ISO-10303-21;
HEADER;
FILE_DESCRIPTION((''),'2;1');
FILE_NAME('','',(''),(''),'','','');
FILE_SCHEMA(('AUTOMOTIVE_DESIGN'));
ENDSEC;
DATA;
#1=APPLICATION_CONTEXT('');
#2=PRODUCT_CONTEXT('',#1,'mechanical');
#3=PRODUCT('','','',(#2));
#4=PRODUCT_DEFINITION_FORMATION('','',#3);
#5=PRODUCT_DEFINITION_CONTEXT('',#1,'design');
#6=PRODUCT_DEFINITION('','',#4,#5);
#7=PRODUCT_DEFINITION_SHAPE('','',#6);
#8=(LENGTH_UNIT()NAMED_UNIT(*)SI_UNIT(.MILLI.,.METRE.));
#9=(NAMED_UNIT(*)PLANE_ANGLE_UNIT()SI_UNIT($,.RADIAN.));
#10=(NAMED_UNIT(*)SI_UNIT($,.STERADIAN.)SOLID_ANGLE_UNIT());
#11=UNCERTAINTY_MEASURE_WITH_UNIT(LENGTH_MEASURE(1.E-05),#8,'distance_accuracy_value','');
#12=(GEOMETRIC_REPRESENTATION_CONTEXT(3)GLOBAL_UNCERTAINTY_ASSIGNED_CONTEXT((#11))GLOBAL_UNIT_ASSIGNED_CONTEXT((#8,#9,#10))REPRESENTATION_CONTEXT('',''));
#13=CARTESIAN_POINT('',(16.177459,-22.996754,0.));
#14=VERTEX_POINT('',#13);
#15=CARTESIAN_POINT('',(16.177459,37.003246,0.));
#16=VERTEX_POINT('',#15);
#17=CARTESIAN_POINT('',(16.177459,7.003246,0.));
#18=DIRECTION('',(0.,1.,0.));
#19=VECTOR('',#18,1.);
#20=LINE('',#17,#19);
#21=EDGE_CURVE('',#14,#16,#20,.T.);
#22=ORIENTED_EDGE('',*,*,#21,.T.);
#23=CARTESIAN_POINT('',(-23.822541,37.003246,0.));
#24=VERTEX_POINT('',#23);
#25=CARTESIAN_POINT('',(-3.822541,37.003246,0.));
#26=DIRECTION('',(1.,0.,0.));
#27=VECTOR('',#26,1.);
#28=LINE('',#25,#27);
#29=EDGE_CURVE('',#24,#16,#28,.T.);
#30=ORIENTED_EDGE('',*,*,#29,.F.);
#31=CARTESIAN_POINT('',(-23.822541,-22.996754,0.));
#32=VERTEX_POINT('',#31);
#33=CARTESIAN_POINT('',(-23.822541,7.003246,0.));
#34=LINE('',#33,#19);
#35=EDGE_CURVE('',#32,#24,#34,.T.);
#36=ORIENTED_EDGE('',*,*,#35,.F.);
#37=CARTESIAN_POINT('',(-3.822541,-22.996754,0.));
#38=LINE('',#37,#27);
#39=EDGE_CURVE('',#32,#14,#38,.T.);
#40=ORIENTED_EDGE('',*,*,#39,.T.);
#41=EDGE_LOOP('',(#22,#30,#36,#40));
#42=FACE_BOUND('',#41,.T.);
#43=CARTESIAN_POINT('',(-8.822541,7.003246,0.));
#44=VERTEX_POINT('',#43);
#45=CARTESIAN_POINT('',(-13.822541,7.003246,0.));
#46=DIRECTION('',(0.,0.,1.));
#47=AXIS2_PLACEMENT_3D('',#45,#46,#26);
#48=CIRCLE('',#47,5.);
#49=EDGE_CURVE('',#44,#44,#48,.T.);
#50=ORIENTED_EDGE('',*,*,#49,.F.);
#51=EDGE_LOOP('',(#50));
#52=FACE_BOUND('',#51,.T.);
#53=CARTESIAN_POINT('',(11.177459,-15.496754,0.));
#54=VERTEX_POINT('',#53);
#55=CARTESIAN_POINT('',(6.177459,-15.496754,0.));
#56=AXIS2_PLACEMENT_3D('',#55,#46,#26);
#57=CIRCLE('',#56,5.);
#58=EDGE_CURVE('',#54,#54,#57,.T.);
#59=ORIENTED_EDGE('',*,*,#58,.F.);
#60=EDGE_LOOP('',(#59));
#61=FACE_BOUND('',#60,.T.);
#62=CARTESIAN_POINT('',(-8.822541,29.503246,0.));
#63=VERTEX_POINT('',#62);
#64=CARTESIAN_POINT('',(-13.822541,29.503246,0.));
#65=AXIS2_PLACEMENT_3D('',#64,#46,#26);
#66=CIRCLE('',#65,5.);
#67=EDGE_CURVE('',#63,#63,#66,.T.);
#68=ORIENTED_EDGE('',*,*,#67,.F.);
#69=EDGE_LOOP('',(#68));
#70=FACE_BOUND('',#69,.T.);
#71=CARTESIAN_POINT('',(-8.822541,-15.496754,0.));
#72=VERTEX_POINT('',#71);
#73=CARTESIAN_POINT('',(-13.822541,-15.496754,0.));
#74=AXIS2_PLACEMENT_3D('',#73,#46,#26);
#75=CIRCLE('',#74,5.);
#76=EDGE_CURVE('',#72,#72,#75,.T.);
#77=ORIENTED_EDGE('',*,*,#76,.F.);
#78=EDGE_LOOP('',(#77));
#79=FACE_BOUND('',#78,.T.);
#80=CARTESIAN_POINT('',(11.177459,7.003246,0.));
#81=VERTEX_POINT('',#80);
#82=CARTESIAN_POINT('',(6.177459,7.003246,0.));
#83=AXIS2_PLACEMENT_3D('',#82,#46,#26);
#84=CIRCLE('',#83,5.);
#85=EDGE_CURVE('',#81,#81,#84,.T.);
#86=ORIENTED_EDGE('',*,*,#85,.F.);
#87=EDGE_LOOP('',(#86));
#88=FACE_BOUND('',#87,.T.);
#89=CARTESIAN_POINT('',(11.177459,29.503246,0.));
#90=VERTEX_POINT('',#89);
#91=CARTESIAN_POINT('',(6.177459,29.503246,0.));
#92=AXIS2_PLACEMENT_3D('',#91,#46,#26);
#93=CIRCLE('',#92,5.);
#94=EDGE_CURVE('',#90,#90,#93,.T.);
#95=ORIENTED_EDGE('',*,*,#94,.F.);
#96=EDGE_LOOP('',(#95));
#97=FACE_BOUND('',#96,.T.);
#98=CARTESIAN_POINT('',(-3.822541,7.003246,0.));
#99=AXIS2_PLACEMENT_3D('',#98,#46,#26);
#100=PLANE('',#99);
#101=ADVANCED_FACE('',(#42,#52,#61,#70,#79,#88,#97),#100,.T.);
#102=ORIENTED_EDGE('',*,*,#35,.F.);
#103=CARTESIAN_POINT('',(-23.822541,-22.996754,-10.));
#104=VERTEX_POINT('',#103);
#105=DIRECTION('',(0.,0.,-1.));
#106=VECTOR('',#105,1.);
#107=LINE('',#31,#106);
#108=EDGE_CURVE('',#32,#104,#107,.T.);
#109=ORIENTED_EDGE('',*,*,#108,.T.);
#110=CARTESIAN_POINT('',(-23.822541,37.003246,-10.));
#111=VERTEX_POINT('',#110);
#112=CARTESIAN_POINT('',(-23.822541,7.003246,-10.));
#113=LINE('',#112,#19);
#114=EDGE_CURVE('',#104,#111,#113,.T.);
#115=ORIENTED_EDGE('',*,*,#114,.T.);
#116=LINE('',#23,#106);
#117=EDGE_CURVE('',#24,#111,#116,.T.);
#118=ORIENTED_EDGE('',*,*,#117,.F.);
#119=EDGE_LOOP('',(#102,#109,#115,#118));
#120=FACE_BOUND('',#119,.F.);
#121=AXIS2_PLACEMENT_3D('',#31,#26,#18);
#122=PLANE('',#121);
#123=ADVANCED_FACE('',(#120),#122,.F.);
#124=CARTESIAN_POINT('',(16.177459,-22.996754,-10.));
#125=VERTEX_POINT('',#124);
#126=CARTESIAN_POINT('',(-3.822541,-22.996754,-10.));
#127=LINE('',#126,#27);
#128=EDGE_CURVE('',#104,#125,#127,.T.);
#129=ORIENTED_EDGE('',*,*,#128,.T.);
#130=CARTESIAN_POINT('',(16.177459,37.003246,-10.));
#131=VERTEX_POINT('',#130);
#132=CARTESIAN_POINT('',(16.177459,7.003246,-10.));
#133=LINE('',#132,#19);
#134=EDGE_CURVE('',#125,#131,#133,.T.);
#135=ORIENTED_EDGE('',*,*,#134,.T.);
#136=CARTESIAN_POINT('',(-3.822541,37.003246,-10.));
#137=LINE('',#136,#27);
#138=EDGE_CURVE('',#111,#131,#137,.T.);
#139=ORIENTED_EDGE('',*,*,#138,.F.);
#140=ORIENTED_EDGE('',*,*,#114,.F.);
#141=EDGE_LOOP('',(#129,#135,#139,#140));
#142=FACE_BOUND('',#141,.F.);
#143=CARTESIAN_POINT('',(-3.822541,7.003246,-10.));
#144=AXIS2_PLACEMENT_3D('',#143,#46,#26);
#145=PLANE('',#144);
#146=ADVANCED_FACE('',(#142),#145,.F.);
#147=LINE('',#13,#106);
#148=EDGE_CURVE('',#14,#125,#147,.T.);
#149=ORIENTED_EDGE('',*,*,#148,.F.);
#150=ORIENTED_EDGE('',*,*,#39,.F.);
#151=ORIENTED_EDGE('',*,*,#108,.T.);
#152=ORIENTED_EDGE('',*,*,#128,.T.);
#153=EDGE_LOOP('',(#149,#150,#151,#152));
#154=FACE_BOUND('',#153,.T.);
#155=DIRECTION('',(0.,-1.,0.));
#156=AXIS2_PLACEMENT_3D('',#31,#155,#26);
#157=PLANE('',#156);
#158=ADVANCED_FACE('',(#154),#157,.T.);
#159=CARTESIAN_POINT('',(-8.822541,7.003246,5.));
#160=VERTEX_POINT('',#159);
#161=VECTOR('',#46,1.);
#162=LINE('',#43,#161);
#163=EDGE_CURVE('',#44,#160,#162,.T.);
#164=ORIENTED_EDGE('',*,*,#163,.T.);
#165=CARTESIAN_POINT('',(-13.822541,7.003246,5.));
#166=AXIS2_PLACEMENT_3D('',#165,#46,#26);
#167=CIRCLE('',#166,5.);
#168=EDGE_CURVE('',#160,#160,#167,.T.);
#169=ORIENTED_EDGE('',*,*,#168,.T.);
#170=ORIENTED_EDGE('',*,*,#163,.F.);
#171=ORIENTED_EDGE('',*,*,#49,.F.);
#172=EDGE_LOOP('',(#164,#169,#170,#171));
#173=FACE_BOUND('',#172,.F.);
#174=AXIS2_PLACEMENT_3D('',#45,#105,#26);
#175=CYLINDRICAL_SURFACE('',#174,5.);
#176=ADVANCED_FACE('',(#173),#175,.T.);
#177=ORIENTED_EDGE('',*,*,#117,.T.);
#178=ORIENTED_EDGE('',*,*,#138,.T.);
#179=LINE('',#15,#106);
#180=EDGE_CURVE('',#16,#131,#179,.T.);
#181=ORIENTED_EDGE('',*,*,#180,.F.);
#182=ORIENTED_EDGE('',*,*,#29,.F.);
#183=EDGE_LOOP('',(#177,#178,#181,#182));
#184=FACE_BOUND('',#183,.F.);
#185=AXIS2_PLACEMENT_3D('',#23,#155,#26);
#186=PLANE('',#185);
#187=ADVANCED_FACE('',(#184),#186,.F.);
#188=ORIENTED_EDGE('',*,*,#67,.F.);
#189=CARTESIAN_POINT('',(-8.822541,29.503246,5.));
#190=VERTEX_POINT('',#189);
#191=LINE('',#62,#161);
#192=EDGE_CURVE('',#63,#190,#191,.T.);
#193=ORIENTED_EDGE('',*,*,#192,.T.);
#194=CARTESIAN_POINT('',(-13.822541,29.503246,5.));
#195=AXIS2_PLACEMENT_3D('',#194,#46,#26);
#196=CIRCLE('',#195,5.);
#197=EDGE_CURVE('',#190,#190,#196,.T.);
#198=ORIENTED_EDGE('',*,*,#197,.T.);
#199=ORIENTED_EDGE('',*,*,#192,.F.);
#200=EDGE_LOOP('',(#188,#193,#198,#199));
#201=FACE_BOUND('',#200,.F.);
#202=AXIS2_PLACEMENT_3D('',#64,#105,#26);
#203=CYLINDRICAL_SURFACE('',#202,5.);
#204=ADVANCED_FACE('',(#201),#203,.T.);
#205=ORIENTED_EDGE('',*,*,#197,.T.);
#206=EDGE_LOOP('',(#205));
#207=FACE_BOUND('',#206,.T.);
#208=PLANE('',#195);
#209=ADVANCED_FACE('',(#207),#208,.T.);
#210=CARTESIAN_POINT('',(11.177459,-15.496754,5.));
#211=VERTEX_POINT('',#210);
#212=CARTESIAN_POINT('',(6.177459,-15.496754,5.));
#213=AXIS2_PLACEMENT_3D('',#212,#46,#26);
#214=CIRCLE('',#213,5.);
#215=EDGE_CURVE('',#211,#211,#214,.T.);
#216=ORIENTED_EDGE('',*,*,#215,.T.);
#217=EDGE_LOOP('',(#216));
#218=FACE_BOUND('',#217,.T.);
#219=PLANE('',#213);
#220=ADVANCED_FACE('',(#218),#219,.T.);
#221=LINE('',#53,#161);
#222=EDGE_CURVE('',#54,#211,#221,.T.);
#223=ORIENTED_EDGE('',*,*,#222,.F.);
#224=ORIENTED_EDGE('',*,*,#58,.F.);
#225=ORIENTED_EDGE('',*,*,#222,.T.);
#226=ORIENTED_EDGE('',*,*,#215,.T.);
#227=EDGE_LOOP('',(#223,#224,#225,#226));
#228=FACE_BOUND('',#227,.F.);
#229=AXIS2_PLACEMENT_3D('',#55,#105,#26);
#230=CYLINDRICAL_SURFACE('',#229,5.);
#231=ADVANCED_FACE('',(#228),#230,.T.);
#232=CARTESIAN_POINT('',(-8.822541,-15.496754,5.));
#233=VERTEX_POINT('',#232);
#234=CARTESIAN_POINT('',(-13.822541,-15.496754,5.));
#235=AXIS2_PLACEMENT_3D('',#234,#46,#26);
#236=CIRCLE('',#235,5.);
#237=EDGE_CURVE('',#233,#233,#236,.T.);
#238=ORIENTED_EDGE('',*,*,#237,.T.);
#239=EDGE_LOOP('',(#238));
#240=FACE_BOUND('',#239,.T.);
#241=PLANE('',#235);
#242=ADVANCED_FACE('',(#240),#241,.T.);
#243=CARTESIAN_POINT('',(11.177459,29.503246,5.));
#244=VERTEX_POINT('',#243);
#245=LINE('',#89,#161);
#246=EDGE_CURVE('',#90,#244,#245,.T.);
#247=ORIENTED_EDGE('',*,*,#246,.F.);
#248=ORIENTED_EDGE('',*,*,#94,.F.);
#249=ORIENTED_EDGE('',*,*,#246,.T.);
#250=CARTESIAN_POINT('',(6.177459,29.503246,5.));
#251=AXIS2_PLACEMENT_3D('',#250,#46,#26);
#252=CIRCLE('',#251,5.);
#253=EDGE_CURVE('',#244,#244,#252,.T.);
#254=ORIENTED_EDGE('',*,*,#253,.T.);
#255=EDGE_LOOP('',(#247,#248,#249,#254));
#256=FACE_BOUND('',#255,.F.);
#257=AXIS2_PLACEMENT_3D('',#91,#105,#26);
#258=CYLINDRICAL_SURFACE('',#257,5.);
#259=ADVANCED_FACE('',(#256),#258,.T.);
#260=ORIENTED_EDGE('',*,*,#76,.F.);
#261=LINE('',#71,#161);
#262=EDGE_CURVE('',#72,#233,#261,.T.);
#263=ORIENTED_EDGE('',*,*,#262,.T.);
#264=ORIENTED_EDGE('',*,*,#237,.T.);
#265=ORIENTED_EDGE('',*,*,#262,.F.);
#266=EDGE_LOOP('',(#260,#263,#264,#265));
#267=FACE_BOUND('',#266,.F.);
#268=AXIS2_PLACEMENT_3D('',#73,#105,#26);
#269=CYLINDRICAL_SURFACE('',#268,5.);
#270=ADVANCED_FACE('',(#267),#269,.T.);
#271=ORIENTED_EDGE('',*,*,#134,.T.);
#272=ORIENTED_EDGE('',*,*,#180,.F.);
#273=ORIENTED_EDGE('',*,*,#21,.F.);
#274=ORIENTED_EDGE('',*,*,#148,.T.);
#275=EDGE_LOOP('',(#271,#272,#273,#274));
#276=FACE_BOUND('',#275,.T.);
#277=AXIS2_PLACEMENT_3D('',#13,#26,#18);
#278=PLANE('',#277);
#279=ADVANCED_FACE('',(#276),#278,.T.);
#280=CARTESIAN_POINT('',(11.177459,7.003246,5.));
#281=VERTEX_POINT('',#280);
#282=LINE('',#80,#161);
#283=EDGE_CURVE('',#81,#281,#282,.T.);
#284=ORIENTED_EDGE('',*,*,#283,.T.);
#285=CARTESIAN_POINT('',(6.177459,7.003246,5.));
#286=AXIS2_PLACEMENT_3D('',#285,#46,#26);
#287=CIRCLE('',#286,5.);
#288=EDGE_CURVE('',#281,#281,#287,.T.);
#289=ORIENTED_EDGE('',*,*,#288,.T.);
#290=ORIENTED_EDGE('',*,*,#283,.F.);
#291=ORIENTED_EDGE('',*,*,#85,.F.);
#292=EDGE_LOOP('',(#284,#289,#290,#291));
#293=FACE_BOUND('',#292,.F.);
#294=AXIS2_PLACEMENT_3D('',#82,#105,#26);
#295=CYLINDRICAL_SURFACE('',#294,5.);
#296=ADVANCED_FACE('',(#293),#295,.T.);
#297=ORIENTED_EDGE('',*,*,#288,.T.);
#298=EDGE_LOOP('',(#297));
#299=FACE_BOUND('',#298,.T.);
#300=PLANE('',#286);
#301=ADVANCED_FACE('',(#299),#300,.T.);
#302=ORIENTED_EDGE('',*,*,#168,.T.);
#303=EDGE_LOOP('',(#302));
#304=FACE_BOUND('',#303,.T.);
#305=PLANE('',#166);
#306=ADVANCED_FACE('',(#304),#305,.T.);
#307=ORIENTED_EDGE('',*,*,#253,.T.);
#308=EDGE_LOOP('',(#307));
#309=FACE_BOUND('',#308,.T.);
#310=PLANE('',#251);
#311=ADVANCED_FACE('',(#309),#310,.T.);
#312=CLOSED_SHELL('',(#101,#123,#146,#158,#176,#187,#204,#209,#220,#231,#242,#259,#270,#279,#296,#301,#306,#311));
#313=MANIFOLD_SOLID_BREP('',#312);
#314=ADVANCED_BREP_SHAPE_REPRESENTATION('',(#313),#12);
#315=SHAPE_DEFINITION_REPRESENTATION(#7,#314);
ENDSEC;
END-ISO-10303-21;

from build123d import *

# Parameters (mm, degrees)
F0_W     = 40
F0_H     = 60
F1_DEPTH = 10
F2_R     = 5
F3_DEPTH = 5


with BuildPart() as f1:
    # F0 (on Top) → F1 (new body)
    with BuildSketch(Plane.XY):
        with Locations((-3.822541, 7.003246)):
            Rectangle(F0_W, F0_H)
    extrude(amount=-F1_DEPTH)

    # F2 (on face) → F3 (join)
    with BuildSketch(Plane.XY):
        with Locations((-13.822541, 29.503246)):
            Circle(F2_R)
        with Locations((6.177459, 29.503246)):
            Circle(F2_R)
        with Locations((-13.822541, -15.496754)):
            Circle(F2_R)
        with Locations((6.177459, 7.003246)):
            Circle(F2_R)
        with Locations((-13.822541, 7.003246)):
            Circle(F2_R)
        with Locations((6.177459, -15.496754)):
            Circle(F2_R)
    extrude(amount=F3_DEPTH)


solid = f1.part
